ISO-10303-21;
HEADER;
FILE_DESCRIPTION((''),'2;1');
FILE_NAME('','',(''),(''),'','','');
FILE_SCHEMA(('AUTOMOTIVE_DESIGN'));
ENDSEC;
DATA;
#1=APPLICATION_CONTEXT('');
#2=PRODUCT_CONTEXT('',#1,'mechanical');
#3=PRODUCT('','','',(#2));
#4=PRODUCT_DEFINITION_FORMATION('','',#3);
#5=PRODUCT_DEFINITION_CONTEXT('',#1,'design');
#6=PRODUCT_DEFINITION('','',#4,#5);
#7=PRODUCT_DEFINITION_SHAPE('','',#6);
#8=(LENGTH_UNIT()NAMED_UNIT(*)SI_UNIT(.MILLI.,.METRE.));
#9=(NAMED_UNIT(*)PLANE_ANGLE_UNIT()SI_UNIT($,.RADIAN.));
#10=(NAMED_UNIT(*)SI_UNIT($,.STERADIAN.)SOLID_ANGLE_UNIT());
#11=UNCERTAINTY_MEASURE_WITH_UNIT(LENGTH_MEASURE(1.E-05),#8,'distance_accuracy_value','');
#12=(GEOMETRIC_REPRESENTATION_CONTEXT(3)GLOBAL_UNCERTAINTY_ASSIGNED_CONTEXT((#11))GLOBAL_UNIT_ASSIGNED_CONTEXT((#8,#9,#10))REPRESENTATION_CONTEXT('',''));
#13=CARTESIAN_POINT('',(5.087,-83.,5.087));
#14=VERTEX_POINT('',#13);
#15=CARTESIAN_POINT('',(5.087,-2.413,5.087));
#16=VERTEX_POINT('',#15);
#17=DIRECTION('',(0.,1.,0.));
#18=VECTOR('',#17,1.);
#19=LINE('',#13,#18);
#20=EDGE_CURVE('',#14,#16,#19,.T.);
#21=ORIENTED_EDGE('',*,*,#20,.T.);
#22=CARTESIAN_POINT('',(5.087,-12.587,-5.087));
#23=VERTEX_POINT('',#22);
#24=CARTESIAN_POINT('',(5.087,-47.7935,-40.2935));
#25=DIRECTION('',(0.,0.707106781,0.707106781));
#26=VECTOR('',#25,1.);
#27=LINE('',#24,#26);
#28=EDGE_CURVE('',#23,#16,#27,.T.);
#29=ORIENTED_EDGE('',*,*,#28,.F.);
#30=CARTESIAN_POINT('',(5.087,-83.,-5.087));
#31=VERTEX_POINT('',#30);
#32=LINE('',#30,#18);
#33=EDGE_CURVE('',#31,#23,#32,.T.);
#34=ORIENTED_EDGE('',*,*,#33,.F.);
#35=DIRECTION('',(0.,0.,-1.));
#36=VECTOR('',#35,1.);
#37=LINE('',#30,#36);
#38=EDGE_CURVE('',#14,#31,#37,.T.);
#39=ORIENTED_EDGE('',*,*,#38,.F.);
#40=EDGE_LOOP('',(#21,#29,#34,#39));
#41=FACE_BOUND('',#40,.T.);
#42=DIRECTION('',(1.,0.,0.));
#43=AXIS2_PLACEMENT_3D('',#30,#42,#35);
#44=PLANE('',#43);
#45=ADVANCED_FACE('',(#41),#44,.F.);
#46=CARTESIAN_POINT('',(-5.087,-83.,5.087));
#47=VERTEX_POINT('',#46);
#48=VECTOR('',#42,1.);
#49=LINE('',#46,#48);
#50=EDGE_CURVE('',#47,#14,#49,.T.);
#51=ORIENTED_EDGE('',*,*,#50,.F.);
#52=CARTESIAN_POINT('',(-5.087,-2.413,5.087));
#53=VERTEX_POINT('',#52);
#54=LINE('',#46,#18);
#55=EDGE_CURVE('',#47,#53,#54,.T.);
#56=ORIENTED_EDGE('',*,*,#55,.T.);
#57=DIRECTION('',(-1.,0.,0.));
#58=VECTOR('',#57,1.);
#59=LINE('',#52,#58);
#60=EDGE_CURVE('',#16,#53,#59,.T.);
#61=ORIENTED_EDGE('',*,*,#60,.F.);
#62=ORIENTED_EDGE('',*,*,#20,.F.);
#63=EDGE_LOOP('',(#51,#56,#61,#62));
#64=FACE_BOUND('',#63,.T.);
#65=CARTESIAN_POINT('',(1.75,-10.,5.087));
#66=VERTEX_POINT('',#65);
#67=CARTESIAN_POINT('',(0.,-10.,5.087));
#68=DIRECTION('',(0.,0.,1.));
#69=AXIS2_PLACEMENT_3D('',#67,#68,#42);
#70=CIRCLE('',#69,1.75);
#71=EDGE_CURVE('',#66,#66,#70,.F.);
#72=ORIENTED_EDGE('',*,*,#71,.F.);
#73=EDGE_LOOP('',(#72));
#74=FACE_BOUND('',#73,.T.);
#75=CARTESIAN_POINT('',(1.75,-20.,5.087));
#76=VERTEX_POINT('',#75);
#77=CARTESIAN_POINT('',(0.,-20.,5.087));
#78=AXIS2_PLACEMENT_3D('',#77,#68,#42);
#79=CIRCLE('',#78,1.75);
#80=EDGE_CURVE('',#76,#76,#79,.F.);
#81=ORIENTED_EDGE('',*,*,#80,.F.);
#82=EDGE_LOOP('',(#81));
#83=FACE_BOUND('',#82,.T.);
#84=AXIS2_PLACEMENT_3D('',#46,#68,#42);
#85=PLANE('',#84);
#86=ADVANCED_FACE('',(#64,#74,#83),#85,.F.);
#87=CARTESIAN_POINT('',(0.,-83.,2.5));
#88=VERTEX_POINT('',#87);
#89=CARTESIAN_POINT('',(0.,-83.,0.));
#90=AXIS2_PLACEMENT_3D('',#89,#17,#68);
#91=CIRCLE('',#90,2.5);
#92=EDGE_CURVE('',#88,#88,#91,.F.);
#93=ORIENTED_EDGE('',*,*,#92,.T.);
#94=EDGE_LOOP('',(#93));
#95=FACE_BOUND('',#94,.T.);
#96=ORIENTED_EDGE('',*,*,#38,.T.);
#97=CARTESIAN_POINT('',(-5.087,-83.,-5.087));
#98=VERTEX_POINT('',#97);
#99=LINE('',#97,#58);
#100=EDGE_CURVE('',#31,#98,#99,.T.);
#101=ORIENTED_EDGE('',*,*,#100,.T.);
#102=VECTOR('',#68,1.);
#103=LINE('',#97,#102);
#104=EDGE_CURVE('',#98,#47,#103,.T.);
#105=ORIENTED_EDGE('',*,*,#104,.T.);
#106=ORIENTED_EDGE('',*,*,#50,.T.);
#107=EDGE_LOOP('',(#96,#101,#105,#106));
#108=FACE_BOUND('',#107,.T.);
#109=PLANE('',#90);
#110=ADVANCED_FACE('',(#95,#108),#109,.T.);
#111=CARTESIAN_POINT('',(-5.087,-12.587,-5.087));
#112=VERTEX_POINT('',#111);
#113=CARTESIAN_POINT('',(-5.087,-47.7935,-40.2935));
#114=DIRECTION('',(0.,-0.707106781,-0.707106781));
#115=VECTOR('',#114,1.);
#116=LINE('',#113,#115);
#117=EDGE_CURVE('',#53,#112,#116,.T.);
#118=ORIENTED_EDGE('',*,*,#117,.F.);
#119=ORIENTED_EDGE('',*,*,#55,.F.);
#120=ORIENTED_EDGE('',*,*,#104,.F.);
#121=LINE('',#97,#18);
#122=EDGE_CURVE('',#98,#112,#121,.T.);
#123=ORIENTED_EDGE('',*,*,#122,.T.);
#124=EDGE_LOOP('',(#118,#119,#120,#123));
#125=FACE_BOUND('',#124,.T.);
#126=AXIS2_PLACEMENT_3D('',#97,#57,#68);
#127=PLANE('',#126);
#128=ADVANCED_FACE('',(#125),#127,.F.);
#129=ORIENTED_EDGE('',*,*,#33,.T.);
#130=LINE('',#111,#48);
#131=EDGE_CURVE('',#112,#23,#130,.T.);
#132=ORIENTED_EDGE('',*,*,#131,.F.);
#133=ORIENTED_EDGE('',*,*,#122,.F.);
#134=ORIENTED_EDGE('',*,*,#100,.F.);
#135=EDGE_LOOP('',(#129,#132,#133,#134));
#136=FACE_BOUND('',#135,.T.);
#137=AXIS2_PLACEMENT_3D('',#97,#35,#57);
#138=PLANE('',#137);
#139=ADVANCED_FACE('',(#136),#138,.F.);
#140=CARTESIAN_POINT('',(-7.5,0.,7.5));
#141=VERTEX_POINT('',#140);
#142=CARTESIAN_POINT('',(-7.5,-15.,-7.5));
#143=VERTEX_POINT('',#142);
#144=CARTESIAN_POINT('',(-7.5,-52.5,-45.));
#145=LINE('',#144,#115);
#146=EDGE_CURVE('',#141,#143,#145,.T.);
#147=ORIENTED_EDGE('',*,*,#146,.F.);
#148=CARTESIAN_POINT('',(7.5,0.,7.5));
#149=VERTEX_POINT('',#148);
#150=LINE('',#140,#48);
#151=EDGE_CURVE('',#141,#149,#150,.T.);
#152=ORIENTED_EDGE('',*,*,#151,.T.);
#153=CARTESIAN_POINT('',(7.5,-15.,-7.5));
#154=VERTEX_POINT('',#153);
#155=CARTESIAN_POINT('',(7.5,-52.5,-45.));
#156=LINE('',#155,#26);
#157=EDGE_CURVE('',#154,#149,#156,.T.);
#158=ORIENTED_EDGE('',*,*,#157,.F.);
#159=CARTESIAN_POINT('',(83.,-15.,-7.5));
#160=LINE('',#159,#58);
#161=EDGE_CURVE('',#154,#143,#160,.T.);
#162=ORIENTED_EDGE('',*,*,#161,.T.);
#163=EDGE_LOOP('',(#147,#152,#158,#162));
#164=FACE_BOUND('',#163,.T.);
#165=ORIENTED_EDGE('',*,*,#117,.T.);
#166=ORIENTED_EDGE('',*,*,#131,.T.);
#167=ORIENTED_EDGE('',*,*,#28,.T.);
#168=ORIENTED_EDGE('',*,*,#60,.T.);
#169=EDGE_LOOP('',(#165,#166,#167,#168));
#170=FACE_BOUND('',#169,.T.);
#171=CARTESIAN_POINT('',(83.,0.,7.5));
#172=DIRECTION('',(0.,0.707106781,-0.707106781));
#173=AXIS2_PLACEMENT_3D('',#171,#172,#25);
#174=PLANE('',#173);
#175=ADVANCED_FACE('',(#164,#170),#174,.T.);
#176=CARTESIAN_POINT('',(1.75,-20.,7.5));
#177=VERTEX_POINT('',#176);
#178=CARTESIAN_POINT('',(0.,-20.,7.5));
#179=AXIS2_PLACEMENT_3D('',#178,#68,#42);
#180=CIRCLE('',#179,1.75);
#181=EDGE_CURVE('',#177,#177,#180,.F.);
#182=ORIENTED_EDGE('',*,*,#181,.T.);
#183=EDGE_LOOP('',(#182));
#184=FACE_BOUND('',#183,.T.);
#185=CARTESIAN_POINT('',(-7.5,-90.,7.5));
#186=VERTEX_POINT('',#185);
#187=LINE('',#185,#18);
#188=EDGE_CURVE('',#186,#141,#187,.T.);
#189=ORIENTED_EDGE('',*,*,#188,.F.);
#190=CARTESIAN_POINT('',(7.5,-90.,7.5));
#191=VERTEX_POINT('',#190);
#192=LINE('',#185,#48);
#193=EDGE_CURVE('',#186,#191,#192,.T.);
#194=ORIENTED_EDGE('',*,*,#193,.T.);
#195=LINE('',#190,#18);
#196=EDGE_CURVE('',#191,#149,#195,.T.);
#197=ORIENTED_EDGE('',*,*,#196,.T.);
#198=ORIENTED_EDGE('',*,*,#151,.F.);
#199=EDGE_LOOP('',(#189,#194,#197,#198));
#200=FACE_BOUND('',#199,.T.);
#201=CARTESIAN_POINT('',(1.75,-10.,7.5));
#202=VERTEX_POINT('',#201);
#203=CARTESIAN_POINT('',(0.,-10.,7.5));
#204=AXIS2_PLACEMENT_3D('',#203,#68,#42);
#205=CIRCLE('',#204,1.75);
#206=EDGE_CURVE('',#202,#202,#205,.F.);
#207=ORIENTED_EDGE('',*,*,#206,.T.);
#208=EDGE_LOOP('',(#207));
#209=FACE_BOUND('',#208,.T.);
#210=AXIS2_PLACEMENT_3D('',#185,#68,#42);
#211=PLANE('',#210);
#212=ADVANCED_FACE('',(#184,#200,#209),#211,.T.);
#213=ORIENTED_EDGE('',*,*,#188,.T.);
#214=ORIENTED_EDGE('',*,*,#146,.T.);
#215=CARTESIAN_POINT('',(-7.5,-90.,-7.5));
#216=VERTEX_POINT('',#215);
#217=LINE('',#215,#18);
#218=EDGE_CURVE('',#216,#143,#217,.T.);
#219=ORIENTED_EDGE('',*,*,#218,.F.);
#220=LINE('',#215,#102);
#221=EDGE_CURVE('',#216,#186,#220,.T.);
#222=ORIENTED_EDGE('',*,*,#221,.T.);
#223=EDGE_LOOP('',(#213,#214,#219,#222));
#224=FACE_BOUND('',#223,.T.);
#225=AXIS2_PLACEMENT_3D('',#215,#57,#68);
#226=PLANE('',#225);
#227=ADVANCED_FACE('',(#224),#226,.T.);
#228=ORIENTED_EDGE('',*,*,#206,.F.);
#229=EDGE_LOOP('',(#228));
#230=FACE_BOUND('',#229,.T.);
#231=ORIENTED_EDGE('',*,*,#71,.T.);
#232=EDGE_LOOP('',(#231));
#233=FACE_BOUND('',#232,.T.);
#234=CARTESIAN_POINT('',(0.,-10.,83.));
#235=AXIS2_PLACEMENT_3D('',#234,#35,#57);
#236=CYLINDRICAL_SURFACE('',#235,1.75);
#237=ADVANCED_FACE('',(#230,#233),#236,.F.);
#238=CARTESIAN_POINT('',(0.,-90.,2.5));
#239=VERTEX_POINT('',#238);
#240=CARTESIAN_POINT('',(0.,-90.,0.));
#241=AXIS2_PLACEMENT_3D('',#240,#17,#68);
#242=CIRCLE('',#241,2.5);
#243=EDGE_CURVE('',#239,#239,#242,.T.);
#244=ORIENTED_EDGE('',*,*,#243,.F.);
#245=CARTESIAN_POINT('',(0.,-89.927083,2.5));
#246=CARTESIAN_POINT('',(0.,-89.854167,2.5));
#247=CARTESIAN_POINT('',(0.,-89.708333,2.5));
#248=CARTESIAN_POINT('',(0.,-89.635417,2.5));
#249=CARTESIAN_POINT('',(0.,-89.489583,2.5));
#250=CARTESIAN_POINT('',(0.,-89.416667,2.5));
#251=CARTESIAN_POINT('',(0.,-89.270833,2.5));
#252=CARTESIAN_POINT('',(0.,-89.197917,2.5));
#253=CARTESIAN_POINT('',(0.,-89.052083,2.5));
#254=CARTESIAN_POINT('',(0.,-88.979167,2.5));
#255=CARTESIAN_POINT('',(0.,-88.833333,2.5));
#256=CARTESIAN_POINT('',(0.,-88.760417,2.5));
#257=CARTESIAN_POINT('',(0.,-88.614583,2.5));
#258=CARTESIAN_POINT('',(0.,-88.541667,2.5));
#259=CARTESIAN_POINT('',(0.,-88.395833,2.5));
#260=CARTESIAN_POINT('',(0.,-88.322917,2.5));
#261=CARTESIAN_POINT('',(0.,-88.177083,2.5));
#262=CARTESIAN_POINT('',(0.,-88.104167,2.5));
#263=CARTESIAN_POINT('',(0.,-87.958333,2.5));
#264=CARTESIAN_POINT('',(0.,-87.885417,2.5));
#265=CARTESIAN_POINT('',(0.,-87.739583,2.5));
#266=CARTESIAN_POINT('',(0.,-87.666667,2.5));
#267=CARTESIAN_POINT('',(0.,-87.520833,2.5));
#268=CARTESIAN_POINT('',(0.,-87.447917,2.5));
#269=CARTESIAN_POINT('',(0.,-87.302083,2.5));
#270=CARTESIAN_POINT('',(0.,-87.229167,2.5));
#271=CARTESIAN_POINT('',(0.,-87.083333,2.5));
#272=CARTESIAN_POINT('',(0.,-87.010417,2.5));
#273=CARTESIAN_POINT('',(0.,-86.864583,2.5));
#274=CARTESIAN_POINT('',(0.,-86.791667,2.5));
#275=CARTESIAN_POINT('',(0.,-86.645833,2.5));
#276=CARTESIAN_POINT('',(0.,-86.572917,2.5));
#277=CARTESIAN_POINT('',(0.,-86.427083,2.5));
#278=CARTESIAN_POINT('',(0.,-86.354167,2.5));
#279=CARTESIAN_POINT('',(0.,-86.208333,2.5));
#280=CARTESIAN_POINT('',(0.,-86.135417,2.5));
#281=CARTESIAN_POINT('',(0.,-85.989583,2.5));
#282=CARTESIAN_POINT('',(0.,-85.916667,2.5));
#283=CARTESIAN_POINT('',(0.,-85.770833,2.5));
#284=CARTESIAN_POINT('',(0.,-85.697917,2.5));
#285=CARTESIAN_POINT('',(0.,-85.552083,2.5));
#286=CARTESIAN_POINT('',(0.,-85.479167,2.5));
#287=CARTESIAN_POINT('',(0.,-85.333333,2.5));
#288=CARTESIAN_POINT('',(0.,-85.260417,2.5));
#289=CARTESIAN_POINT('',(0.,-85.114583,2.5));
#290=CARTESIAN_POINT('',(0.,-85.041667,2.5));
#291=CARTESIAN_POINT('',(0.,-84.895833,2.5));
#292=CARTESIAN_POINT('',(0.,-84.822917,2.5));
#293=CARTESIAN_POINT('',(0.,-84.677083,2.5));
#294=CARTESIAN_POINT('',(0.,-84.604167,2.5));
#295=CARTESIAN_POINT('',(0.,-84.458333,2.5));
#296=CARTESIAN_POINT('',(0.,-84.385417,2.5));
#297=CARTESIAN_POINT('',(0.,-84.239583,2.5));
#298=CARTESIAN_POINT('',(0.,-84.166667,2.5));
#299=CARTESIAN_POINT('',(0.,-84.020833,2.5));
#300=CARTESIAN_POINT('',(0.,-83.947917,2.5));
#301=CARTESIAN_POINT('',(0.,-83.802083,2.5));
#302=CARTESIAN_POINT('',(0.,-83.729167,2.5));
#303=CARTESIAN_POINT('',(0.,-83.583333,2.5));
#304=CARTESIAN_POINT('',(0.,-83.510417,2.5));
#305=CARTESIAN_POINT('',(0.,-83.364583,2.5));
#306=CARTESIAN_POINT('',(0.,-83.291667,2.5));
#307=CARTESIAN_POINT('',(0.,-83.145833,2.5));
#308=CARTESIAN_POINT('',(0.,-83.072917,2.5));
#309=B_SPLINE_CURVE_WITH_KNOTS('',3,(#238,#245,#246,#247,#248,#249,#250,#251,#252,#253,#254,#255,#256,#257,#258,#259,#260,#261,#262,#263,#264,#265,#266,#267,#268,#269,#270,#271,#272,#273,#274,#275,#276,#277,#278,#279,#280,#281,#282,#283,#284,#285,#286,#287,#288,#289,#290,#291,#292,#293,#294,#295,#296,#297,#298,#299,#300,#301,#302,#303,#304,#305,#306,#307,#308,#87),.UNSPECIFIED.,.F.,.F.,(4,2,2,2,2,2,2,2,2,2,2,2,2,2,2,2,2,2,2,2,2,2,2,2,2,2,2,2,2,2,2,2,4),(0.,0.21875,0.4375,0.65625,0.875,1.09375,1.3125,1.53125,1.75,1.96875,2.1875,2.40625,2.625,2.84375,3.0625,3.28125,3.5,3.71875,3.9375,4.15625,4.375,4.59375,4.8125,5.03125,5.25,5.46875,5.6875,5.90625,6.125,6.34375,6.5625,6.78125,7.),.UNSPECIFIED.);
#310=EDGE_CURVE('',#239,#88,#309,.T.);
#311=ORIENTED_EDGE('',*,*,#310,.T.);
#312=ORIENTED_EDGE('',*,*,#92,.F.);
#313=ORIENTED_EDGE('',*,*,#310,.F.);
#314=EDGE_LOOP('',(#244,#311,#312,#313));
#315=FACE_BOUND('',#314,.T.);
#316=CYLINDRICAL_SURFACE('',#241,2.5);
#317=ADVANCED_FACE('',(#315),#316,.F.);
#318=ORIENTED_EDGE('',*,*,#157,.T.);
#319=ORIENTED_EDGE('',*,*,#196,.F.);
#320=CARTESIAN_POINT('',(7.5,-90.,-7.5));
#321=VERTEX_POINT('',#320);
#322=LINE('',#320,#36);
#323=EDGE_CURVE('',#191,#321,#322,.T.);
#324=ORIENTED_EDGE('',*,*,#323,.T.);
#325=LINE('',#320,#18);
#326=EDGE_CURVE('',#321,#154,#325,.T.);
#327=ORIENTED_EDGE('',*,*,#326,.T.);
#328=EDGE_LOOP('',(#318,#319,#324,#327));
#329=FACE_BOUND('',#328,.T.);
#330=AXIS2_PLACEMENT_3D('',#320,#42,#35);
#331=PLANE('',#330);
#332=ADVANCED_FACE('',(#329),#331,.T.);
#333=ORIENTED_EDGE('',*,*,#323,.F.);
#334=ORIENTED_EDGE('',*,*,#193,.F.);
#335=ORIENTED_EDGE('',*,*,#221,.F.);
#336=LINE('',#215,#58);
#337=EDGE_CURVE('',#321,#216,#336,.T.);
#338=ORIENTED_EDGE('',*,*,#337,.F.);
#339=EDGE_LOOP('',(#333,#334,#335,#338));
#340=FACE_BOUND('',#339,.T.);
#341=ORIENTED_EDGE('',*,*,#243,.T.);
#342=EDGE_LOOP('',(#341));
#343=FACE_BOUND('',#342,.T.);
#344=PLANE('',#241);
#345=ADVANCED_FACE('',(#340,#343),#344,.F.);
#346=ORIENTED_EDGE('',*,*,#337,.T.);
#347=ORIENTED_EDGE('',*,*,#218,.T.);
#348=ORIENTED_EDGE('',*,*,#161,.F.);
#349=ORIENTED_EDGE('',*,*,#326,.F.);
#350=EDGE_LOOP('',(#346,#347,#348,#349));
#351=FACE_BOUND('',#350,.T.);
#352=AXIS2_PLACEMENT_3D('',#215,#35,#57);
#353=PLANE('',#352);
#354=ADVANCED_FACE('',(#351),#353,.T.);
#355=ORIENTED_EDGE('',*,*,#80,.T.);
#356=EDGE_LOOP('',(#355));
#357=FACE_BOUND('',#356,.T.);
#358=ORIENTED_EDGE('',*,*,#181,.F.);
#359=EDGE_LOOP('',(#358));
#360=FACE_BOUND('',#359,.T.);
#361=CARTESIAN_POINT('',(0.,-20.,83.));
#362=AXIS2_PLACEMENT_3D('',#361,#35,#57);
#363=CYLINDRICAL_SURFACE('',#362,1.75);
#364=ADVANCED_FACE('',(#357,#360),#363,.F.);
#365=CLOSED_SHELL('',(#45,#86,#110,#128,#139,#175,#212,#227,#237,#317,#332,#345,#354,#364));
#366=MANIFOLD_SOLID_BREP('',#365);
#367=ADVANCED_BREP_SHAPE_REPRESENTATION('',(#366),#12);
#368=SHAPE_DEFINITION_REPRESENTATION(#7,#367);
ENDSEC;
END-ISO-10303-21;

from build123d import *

# Parameters (mm, degrees)
SKETCH1_W               = 15
SKETCH1_H               = 15
SKETCH1_R               = 2.5
BOSS_EXTRUDE1_DEPTH     = 90
SKETCH2_W               = 10.174
SKETCH2_H               = 10.174
CUT_EXTRUDE1_DEPTH      = 83
CUT_EXTRUDE2_DEPTH      = 83
CUT_EXTRUDE2_DEPTH_BACK = 83
SKETCH4_R               = 1.75
CUT_EXTRUDE3_DEPTH      = 83


with BuildPart() as part:
    # Sketch1 → Boss-Extrude1 (new body)
    with BuildSketch(Plane(origin=(0, 0, 0), x_dir=(1, 0, 0), z_dir=(0, 1, 0))):
        Rectangle(SKETCH1_W, SKETCH1_H)
        with Locations(Location((0, 0, 0), (0, 0, 270))):
            Circle(SKETCH1_R, mode=Mode.SUBTRACT)
    extrude(amount=-BOSS_EXTRUDE1_DEPTH)

    # Sketch2 → Cut-Extrude1 (cut)
    with BuildSketch(Plane(origin=(0, 0, 0), x_dir=(1, 0, 0), z_dir=(0, 1, 0))):
        Rectangle(SKETCH2_W, SKETCH2_H)
    extrude(amount=-CUT_EXTRUDE1_DEPTH, mode=Mode.SUBTRACT)

    # Sketch3 → Cut-Extrude2 (cut, two sides: drawn at the far end of the back side and taken through both)
    with BuildSketch(Plane(origin=(0, 0, 0), x_dir=(0, 0, -1), z_dir=(1, 0, 0)).offset(-CUT_EXTRUDE2_DEPTH_BACK)):
        Polygon((-7.5, 0), (7.5, -15), (7.5, 0), align=None)
    extrude(amount=CUT_EXTRUDE2_DEPTH + CUT_EXTRUDE2_DEPTH_BACK, mode=Mode.SUBTRACT)

    # Sketch4 → Cut-Extrude3 (cut)
    with BuildSketch(Plane.XY):
        with Locations((0, -10)):
            Circle(SKETCH4_R)
        with Locations((0, -20)):
            Circle(SKETCH4_R)
    extrude(amount=CUT_EXTRUDE3_DEPTH, mode=Mode.SUBTRACT)


solid = part.part
